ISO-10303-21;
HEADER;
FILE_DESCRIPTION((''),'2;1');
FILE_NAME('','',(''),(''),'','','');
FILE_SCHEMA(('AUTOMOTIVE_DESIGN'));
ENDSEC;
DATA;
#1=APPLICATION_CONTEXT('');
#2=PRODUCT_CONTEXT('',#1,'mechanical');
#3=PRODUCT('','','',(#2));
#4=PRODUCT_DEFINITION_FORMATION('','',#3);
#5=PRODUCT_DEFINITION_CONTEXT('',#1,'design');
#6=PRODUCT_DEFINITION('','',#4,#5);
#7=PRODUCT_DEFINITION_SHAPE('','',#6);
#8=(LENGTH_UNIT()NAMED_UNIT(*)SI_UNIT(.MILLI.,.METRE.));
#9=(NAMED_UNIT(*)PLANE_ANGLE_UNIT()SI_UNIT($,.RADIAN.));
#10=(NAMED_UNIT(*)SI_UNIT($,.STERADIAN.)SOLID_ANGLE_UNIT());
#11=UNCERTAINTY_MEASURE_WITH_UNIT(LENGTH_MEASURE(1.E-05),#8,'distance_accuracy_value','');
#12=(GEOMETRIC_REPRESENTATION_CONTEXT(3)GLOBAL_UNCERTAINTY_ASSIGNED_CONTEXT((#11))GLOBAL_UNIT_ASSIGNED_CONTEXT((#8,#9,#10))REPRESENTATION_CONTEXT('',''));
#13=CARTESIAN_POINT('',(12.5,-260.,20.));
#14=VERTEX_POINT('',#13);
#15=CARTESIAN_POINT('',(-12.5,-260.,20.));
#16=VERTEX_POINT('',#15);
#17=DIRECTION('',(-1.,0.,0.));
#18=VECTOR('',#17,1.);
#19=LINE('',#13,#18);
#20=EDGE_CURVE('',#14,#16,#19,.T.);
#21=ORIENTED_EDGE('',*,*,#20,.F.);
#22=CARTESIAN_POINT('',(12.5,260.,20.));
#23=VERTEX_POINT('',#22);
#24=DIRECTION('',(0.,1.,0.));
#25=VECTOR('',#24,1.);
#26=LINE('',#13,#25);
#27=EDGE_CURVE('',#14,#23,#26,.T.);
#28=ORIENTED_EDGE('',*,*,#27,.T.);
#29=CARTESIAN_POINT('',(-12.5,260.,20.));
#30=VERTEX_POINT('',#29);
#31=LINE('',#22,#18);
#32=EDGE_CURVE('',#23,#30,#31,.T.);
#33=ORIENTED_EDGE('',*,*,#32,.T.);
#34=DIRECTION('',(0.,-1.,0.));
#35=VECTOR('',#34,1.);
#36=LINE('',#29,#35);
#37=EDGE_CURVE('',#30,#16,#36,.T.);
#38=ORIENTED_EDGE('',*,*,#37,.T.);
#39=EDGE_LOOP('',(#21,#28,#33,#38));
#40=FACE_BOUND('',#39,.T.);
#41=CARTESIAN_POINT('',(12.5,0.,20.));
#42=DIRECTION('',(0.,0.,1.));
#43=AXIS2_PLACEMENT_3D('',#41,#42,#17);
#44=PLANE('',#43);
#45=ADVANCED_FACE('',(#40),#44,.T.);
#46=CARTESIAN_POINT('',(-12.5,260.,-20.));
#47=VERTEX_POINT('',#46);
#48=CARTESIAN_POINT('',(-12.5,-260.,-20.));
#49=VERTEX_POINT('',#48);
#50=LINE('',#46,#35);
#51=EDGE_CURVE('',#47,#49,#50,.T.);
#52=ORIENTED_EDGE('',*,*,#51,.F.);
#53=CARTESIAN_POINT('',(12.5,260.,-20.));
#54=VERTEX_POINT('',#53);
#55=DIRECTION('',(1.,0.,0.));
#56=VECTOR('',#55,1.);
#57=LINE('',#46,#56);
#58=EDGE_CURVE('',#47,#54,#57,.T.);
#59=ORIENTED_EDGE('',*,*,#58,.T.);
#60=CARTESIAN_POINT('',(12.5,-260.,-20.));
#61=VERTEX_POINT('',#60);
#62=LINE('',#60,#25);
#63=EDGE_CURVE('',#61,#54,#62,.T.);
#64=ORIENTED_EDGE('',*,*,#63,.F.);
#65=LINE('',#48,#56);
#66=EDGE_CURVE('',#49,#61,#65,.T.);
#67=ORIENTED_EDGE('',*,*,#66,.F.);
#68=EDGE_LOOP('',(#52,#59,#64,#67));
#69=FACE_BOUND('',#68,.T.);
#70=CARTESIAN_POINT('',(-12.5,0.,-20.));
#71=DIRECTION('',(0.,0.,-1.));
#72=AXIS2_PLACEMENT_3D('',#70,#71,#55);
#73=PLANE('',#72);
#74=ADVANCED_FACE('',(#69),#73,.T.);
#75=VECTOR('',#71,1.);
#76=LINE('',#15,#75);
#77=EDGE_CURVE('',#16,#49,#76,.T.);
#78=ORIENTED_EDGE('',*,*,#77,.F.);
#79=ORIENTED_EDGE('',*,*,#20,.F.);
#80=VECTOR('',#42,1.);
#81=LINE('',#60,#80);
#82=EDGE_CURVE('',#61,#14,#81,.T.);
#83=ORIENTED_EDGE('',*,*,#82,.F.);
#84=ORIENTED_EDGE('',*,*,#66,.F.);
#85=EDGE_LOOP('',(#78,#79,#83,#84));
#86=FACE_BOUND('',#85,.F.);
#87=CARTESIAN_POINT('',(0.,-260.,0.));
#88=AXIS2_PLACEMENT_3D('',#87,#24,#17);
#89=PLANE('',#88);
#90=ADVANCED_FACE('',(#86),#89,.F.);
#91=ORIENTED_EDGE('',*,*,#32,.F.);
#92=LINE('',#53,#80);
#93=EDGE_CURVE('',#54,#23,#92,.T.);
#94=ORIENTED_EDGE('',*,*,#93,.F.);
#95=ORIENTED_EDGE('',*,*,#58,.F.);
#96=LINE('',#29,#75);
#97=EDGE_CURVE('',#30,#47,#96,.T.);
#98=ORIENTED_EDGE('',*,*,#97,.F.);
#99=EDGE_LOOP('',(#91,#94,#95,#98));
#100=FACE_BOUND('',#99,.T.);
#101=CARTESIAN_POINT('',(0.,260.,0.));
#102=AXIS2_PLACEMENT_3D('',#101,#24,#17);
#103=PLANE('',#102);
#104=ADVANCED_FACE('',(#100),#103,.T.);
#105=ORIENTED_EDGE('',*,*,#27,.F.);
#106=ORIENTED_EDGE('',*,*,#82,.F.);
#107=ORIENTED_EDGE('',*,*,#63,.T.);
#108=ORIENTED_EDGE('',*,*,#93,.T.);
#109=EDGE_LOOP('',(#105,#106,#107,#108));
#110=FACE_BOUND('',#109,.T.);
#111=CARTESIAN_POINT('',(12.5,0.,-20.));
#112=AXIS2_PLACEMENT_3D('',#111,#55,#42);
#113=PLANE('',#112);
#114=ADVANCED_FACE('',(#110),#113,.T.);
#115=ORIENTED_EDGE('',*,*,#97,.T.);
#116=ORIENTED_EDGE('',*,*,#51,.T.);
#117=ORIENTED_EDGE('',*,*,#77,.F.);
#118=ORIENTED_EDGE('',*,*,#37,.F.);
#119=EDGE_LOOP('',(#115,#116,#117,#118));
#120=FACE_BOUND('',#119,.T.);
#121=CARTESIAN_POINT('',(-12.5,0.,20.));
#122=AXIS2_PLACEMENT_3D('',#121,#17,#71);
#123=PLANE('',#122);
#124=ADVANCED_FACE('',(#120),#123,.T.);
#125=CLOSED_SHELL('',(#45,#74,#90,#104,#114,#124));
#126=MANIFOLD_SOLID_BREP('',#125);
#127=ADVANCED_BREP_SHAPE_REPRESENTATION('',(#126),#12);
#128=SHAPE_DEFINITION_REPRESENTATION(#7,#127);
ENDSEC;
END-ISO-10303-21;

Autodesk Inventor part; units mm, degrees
ref_plane "YZ Plane" through (0, 0, 0) normal (1, 0, 0) x (0, 1, 0)
ref_plane "XZ Plane" through (0, 0, 0) normal (0, 1, 0) x (-1, 0, 0)
ref_plane "XY Plane" through (0, 0, 0) normal (0, 0, 1) x (1, 0, 0)
sketch "Esboço1" plane through (0, 0, 0) normal (0, 1, 0) x (-1, 0, 0)
  line L0 (-12.5, 20) -> (12.5, 20)
  line L1 (12.5, 20) -> (12.5, -20)
  line L2 (12.5, -20) -> (-12.5, -20)
  line L3 (-12.5, -20) -> (-12.5, 20)
  line L4 (-12.5, 20) -> (12.5, -20) construction
  line L5 (12.5, 20) -> (-12.5, -20) construction
  point P0 (0, 0)
  dimension "lenght" = 25
  dimension "width" = 40
extrude "Extrusão1" add sketch "Esboço1" along normal mid plane 520
equation "\"lenght\" = RIP_L"
equation "\"width\" = RIP_H"
equation "\"d2\" = WIDHT - 2 * RIP_H"
equation "\"RIP_L\" = 25"
equation "\"RIP_H\" = 40"
equation "\"WIDHT\" = 600"
properties part number "feet" material "Madeira"
